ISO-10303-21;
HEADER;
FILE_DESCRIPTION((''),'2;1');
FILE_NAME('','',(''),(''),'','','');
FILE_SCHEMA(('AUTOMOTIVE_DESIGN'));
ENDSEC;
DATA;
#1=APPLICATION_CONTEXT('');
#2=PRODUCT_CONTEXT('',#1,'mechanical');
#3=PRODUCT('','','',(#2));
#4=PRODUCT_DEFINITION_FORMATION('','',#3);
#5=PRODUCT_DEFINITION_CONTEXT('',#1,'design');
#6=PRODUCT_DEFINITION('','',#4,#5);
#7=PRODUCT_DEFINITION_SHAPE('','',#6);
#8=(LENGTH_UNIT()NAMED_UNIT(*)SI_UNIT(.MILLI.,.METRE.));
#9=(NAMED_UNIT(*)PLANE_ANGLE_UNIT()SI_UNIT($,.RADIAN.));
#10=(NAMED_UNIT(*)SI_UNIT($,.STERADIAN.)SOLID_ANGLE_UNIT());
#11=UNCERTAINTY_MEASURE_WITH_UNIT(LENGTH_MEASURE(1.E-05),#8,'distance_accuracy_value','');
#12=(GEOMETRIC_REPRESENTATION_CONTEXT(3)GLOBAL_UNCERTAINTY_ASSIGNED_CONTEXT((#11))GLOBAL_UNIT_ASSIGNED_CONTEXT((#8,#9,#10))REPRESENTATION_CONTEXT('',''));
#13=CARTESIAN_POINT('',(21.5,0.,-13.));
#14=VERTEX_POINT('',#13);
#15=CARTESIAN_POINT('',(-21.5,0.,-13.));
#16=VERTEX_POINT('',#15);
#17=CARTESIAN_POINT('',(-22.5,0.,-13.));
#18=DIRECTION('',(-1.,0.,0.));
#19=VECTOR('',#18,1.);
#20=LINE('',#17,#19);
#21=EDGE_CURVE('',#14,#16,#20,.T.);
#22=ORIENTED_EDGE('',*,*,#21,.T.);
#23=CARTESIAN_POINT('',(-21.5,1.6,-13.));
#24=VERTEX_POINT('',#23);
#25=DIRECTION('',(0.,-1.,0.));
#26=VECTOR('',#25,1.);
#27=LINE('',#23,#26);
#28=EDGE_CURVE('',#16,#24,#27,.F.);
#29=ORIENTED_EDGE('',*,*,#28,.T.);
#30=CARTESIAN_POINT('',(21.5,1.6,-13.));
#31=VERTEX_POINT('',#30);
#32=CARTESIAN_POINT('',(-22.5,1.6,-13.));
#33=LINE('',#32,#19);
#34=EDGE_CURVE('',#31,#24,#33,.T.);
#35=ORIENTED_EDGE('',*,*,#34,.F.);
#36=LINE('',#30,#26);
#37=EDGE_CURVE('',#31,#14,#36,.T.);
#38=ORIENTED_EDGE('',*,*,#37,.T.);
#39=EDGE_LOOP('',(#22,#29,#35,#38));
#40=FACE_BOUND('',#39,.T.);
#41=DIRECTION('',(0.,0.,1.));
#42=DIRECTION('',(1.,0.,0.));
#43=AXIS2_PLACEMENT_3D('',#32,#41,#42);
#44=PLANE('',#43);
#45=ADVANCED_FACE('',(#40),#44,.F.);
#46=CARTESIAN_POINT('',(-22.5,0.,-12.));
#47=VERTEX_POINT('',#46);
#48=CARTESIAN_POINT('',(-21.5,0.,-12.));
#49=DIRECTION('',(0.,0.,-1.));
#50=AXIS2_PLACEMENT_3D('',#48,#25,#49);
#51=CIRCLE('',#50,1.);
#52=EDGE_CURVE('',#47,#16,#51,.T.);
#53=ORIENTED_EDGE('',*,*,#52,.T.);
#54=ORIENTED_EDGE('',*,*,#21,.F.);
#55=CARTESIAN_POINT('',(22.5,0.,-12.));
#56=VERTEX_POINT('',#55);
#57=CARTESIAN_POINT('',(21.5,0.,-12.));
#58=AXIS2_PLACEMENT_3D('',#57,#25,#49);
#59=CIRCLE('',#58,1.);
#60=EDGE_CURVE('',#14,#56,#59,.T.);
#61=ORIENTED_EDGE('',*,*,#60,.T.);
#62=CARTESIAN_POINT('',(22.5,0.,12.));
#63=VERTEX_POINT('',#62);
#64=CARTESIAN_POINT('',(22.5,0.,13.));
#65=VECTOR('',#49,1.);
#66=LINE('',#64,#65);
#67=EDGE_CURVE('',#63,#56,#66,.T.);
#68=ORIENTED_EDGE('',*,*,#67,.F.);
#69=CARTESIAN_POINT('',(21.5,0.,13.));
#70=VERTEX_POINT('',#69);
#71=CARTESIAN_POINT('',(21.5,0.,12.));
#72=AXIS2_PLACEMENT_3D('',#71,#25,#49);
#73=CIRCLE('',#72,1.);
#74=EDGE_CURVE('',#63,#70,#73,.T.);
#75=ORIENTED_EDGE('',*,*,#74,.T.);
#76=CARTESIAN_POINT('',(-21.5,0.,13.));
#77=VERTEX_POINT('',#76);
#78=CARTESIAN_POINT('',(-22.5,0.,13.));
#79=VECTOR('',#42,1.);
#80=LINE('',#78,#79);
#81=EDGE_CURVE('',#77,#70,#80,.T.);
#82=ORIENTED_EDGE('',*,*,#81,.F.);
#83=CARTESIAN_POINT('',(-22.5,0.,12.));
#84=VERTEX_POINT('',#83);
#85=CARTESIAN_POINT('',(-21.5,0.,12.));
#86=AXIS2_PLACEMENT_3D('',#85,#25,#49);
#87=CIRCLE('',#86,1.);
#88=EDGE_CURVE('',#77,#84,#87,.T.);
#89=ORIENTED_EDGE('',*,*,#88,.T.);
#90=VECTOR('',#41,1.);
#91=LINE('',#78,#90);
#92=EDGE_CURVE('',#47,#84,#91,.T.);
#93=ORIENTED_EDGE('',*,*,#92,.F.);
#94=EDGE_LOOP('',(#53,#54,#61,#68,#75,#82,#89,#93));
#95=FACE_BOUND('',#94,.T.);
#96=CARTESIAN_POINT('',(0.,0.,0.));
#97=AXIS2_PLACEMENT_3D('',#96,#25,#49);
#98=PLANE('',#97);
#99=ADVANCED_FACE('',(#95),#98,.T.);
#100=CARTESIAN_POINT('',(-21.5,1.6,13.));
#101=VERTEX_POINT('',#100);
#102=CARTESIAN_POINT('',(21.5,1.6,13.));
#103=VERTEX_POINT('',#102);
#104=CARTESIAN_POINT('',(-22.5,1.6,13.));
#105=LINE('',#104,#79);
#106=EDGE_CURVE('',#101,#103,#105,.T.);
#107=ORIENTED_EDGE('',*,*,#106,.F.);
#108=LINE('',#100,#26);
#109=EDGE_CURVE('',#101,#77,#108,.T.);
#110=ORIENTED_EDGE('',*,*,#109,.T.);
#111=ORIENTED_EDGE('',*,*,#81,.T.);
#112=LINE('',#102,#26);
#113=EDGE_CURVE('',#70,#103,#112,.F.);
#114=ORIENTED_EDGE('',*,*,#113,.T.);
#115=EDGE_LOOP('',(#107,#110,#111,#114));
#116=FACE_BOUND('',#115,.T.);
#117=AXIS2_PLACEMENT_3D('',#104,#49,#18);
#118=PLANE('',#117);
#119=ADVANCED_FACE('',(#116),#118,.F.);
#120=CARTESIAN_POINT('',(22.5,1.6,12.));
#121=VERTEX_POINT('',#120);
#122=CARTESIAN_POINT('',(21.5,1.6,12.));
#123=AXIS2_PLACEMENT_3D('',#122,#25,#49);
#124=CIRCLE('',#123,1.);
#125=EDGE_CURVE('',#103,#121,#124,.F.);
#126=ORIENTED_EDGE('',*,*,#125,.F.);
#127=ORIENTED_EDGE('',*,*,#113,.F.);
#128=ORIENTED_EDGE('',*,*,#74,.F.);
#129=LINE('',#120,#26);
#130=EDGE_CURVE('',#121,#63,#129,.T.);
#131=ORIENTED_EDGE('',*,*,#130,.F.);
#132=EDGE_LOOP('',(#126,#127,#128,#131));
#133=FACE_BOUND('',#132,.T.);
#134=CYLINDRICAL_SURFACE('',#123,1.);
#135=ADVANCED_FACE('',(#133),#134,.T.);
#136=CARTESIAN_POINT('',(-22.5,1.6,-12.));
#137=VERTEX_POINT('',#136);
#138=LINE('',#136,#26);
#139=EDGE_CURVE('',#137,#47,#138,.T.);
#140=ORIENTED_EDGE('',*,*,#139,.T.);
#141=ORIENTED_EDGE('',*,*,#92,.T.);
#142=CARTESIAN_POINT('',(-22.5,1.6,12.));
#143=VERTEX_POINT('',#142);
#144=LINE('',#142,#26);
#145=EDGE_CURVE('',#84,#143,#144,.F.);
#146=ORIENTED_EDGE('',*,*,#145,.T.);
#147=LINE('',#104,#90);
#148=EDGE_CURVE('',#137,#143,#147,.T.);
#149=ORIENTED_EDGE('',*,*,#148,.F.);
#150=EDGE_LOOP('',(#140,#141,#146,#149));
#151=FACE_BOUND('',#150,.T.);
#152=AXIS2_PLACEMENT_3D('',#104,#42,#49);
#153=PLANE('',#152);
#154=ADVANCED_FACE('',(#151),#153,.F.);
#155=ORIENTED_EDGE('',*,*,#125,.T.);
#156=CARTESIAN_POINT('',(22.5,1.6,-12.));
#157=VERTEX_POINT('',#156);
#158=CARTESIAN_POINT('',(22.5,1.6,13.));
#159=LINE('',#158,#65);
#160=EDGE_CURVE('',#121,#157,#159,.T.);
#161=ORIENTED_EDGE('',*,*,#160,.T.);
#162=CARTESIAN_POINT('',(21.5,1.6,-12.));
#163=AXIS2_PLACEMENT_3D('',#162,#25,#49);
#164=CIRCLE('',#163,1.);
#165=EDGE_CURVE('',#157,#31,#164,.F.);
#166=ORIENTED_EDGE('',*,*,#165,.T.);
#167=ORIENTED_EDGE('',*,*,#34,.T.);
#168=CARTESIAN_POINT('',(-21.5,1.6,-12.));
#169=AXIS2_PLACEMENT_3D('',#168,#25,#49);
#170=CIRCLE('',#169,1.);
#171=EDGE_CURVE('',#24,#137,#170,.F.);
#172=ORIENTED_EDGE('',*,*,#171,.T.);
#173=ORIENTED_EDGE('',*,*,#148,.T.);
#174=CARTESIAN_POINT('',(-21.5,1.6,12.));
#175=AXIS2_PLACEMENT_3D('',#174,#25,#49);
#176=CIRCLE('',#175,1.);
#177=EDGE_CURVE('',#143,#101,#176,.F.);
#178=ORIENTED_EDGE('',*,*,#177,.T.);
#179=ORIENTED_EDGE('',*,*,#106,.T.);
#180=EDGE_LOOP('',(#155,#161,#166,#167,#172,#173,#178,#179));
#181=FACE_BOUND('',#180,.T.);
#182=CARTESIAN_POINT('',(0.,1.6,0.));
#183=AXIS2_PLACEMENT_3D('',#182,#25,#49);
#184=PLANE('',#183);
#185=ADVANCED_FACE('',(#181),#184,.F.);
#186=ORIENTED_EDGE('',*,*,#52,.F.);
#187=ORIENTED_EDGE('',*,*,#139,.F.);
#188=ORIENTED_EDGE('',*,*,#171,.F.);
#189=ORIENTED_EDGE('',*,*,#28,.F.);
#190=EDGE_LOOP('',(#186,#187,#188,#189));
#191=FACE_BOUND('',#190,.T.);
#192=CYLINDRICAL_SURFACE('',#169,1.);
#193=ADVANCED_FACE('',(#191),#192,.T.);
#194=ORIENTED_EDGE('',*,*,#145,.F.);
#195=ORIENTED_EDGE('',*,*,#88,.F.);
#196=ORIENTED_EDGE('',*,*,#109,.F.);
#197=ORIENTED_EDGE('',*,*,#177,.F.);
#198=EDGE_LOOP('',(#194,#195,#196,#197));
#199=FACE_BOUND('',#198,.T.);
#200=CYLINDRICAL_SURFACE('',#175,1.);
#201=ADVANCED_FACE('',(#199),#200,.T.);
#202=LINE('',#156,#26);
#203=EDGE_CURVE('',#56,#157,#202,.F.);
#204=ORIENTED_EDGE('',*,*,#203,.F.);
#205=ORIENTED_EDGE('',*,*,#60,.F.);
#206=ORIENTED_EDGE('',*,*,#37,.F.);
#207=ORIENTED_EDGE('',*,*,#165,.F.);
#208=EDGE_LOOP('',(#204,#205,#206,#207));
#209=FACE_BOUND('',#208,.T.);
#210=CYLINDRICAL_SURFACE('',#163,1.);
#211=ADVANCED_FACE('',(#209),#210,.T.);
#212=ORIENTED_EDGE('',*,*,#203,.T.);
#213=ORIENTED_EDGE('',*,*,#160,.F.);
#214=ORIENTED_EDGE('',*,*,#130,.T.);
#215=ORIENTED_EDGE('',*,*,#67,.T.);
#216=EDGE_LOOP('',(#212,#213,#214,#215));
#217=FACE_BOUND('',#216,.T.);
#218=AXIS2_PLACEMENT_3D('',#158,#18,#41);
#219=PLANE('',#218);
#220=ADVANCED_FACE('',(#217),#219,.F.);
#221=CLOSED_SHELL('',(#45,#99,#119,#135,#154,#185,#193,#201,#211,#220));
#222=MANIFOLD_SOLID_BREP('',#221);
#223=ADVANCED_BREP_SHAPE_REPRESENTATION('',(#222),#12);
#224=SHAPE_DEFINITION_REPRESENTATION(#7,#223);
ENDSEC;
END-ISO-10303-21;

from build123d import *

# Parameters (mm, degrees)
SKETCH1_W           = 45
SKETCH1_H           = 26
BOSS_EXTRUDE1_DEPTH = 1.6
FILLET1_R           = 1


with BuildPart() as part:
    # Sketch1 → Boss-Extrude1 (new body)
    with BuildSketch(Plane(origin=(0, 0, 0), x_dir=(1, 0, 0), z_dir=(0, 1, 0))):
        Rectangle(SKETCH1_W, SKETCH1_H)
    extrude(amount=BOSS_EXTRUDE1_DEPTH)

    # Fillet1
    fillet1_edges = [part.edges().sort_by_distance(p)[0] for p in [
        (22.5, 0.8, 13),
        (-22.5, 0.8, 13),
        (-22.5, 0.8, -13),
        (22.5, 0.8, -13),
    ]]
    fillet(fillet1_edges, radius=FILLET1_R)


solid = part.part
